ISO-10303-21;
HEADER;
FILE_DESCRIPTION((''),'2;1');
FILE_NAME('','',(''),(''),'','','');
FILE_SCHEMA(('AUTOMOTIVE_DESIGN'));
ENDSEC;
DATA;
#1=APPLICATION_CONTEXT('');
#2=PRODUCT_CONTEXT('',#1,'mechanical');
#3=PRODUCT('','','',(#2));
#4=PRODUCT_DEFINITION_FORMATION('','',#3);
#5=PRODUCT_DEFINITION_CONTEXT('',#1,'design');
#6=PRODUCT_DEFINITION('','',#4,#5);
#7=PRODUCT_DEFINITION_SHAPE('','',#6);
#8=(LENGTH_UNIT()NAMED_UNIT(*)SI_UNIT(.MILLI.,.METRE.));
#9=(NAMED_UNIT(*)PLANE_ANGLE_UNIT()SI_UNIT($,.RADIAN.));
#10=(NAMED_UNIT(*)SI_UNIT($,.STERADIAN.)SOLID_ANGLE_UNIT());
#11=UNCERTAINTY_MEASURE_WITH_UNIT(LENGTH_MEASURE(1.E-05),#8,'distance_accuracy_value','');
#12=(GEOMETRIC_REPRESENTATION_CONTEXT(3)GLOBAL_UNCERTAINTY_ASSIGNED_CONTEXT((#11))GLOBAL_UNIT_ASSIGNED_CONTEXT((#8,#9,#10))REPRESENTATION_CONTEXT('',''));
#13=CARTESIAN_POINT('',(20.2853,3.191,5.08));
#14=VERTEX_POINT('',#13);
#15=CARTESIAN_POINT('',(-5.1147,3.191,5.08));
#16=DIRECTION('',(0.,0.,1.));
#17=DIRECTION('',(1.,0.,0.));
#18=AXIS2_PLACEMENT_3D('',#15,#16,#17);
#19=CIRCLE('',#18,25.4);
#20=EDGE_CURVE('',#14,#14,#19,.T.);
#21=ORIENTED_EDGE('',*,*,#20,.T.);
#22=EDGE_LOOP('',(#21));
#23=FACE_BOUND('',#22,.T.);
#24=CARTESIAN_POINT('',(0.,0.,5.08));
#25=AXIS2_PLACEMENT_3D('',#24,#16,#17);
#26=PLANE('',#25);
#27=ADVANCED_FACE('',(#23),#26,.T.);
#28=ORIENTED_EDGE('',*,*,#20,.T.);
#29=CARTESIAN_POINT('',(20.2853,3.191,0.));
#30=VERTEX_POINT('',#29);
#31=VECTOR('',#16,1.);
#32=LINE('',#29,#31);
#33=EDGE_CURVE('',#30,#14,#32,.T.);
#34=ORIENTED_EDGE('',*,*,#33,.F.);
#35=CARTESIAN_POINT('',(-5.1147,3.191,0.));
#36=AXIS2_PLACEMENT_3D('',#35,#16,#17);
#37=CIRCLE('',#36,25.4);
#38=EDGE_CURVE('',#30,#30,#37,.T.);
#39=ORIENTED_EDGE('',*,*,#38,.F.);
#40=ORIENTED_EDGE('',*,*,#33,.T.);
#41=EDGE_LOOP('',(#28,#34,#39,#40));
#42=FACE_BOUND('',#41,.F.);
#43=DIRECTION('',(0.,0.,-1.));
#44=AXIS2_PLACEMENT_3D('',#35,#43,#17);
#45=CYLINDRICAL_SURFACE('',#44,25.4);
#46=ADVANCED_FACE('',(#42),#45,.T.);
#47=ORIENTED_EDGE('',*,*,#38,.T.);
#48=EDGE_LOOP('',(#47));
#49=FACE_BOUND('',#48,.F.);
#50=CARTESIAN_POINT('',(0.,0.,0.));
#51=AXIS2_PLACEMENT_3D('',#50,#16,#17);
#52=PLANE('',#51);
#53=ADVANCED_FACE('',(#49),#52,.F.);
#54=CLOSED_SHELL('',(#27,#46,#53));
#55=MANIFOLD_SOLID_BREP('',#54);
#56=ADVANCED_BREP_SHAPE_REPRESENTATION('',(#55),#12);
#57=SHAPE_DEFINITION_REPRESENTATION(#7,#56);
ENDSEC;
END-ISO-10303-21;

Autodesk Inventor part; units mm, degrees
ref_plane "YZ Plane" through (0, 0, 0) normal (1, 0, 0) x (0, 1, 0)
ref_plane "XZ Plane" through (0, 0, 0) normal (0, 1, 0) x (-1, 0, 0)
ref_plane "XY Plane" through (0, 0, 0) normal (0, 0, 1) x (1, 0, 0)
sketch "Sketch1" plane through (0, 0, 0) normal (0, 0, 1) x (1, 0, 0)
  circle A0 centre (-5.1147, 3.191) radius 25.4
  point P0 (0, 0)
  dimension "d0" = 50.8
extrude "Extrusion1" add sketch "Sketch1" along normal blind 5.08
sketch "Sketch2" plane through (-5.1147, 3.191, 5.08) normal (0, 0, 1) x (1, 0, 0)
  point P0 (5.1147, -3.191)
sketch "Sketch3" plane through (-5.1147, 3.191, 5.08) normal (0, 0, 1) x (1, 0, 0)
  line L0 (-17.3802, 16.9544) -> (17.3231, 16.9544) construction
  line L1 (17.3231, 16.9544) -> (17.3231, -17.7488) construction
  line L2 (17.3231, -17.7488) -> (-17.3802, -17.7488) construction
  line L3 (-17.3802, -17.7488) -> (-17.3802, 16.9544) construction
  arc A0 (-5.1701, 4.4508) -> (-5.2412, 10.8446) centre (-436.8317, 2.8519) ccw
  arc A1 (2.3366, 5.7059) -> (-5.2412, 10.8446) centre (-5.4855, 2.3277) ccw
  arc A2 (2.6208, 0.6375) -> (2.3366, 5.7059) centre (-81.7267, -1.5497) ccw
  arc A3 (2.6208, 0.6375) -> (3.2602, 0.6382) centre (2.9405, 0.6457) ccw
  line L4 (2.9405, 0.6457) -> (2.9405, 3.593) construction
  arc A4 (11.1221, 10.8446) -> (11.0511, 4.4508) centre (442.7126, 2.8519) ccw
  arc A5 (11.1221, 10.8446) -> (3.5443, 5.7059) centre (11.3664, 2.3277) ccw
  arc A6 (3.5443, 5.7059) -> (3.2601, 0.6375) centre (87.6077, -1.5497) ccw
  line L5 (11.0511, 4.4508) -> (11.0511, 1.2529)
  line L6 (11.0511, 1.2529) -> (11.0121, -0.0442)
  arc A7 (11.0121, -0.0442) -> (3.3261, -4.5311) centre (11.8783, -10.3545) ccw
  line L7 (3.3261, -2.2752) -> (3.3261, -4.5311)
  arc A8 (3.3261, -2.2752) -> (2.6174, -2.2752) centre (2.9718, -2.4577) ccw
  line L8 (2.6174, -2.2752) -> (2.5501, -5.5702)
  arc A9 (0.0073, 1.8237) -> (-0.7068, -11.2689) centre (-5.3235, -4.4513) ccw
  arc A10 (-0.7068, -11.2689) -> (2.5501, -5.5702) centre (-8.8247, -2.8493) ccw
  arc A11 (0.32, 2.1194) -> (-5.1701, 4.4508) centre (-5.4429, -3.8214) ccw
  arc A12 (0.0073, 1.8237) -> (0.32, 2.1194) centre (0.1474, 1.9887) ccw
  arc A13 (-6.5958, 3.1698) -> (-6.2865, -12.2636) centre (1.6439, -4.3849) ccw
  arc A14 (-7.8328, 2.8478) -> (-7.2263, -12.4621) centre (-0.915, -4.5451) ccw
  line L9 (-7.8328, 2.8478) -> (-7.2263, 3.5596)
  line L10 (-6.2865, -12.2636) -> (-6.2865, -9.5112)
  line L11 (-6.2865, -9.5112) -> (-8.2902, -9.5112)
  line L12 (-8.7331, -8.5422) -> (-6.2865, -8.5422)
  line L13 (-6.2865, -8.5422) -> (-6.5958, -5.3834)
  line L14 (-6.5958, -5.3834) -> (-9.4902, -5.3834)
  line L15 (-9.5327, -4.161) -> (-6.5019, -4.252)
  line L16 (-6.5019, -4.252) -> (-6.5958, -0.9205)
  line L17 (-6.5958, -0.9205) -> (-9.0065, -0.9885)
  point P0 (5.1147, -3.191)
properties part number "cmc"
